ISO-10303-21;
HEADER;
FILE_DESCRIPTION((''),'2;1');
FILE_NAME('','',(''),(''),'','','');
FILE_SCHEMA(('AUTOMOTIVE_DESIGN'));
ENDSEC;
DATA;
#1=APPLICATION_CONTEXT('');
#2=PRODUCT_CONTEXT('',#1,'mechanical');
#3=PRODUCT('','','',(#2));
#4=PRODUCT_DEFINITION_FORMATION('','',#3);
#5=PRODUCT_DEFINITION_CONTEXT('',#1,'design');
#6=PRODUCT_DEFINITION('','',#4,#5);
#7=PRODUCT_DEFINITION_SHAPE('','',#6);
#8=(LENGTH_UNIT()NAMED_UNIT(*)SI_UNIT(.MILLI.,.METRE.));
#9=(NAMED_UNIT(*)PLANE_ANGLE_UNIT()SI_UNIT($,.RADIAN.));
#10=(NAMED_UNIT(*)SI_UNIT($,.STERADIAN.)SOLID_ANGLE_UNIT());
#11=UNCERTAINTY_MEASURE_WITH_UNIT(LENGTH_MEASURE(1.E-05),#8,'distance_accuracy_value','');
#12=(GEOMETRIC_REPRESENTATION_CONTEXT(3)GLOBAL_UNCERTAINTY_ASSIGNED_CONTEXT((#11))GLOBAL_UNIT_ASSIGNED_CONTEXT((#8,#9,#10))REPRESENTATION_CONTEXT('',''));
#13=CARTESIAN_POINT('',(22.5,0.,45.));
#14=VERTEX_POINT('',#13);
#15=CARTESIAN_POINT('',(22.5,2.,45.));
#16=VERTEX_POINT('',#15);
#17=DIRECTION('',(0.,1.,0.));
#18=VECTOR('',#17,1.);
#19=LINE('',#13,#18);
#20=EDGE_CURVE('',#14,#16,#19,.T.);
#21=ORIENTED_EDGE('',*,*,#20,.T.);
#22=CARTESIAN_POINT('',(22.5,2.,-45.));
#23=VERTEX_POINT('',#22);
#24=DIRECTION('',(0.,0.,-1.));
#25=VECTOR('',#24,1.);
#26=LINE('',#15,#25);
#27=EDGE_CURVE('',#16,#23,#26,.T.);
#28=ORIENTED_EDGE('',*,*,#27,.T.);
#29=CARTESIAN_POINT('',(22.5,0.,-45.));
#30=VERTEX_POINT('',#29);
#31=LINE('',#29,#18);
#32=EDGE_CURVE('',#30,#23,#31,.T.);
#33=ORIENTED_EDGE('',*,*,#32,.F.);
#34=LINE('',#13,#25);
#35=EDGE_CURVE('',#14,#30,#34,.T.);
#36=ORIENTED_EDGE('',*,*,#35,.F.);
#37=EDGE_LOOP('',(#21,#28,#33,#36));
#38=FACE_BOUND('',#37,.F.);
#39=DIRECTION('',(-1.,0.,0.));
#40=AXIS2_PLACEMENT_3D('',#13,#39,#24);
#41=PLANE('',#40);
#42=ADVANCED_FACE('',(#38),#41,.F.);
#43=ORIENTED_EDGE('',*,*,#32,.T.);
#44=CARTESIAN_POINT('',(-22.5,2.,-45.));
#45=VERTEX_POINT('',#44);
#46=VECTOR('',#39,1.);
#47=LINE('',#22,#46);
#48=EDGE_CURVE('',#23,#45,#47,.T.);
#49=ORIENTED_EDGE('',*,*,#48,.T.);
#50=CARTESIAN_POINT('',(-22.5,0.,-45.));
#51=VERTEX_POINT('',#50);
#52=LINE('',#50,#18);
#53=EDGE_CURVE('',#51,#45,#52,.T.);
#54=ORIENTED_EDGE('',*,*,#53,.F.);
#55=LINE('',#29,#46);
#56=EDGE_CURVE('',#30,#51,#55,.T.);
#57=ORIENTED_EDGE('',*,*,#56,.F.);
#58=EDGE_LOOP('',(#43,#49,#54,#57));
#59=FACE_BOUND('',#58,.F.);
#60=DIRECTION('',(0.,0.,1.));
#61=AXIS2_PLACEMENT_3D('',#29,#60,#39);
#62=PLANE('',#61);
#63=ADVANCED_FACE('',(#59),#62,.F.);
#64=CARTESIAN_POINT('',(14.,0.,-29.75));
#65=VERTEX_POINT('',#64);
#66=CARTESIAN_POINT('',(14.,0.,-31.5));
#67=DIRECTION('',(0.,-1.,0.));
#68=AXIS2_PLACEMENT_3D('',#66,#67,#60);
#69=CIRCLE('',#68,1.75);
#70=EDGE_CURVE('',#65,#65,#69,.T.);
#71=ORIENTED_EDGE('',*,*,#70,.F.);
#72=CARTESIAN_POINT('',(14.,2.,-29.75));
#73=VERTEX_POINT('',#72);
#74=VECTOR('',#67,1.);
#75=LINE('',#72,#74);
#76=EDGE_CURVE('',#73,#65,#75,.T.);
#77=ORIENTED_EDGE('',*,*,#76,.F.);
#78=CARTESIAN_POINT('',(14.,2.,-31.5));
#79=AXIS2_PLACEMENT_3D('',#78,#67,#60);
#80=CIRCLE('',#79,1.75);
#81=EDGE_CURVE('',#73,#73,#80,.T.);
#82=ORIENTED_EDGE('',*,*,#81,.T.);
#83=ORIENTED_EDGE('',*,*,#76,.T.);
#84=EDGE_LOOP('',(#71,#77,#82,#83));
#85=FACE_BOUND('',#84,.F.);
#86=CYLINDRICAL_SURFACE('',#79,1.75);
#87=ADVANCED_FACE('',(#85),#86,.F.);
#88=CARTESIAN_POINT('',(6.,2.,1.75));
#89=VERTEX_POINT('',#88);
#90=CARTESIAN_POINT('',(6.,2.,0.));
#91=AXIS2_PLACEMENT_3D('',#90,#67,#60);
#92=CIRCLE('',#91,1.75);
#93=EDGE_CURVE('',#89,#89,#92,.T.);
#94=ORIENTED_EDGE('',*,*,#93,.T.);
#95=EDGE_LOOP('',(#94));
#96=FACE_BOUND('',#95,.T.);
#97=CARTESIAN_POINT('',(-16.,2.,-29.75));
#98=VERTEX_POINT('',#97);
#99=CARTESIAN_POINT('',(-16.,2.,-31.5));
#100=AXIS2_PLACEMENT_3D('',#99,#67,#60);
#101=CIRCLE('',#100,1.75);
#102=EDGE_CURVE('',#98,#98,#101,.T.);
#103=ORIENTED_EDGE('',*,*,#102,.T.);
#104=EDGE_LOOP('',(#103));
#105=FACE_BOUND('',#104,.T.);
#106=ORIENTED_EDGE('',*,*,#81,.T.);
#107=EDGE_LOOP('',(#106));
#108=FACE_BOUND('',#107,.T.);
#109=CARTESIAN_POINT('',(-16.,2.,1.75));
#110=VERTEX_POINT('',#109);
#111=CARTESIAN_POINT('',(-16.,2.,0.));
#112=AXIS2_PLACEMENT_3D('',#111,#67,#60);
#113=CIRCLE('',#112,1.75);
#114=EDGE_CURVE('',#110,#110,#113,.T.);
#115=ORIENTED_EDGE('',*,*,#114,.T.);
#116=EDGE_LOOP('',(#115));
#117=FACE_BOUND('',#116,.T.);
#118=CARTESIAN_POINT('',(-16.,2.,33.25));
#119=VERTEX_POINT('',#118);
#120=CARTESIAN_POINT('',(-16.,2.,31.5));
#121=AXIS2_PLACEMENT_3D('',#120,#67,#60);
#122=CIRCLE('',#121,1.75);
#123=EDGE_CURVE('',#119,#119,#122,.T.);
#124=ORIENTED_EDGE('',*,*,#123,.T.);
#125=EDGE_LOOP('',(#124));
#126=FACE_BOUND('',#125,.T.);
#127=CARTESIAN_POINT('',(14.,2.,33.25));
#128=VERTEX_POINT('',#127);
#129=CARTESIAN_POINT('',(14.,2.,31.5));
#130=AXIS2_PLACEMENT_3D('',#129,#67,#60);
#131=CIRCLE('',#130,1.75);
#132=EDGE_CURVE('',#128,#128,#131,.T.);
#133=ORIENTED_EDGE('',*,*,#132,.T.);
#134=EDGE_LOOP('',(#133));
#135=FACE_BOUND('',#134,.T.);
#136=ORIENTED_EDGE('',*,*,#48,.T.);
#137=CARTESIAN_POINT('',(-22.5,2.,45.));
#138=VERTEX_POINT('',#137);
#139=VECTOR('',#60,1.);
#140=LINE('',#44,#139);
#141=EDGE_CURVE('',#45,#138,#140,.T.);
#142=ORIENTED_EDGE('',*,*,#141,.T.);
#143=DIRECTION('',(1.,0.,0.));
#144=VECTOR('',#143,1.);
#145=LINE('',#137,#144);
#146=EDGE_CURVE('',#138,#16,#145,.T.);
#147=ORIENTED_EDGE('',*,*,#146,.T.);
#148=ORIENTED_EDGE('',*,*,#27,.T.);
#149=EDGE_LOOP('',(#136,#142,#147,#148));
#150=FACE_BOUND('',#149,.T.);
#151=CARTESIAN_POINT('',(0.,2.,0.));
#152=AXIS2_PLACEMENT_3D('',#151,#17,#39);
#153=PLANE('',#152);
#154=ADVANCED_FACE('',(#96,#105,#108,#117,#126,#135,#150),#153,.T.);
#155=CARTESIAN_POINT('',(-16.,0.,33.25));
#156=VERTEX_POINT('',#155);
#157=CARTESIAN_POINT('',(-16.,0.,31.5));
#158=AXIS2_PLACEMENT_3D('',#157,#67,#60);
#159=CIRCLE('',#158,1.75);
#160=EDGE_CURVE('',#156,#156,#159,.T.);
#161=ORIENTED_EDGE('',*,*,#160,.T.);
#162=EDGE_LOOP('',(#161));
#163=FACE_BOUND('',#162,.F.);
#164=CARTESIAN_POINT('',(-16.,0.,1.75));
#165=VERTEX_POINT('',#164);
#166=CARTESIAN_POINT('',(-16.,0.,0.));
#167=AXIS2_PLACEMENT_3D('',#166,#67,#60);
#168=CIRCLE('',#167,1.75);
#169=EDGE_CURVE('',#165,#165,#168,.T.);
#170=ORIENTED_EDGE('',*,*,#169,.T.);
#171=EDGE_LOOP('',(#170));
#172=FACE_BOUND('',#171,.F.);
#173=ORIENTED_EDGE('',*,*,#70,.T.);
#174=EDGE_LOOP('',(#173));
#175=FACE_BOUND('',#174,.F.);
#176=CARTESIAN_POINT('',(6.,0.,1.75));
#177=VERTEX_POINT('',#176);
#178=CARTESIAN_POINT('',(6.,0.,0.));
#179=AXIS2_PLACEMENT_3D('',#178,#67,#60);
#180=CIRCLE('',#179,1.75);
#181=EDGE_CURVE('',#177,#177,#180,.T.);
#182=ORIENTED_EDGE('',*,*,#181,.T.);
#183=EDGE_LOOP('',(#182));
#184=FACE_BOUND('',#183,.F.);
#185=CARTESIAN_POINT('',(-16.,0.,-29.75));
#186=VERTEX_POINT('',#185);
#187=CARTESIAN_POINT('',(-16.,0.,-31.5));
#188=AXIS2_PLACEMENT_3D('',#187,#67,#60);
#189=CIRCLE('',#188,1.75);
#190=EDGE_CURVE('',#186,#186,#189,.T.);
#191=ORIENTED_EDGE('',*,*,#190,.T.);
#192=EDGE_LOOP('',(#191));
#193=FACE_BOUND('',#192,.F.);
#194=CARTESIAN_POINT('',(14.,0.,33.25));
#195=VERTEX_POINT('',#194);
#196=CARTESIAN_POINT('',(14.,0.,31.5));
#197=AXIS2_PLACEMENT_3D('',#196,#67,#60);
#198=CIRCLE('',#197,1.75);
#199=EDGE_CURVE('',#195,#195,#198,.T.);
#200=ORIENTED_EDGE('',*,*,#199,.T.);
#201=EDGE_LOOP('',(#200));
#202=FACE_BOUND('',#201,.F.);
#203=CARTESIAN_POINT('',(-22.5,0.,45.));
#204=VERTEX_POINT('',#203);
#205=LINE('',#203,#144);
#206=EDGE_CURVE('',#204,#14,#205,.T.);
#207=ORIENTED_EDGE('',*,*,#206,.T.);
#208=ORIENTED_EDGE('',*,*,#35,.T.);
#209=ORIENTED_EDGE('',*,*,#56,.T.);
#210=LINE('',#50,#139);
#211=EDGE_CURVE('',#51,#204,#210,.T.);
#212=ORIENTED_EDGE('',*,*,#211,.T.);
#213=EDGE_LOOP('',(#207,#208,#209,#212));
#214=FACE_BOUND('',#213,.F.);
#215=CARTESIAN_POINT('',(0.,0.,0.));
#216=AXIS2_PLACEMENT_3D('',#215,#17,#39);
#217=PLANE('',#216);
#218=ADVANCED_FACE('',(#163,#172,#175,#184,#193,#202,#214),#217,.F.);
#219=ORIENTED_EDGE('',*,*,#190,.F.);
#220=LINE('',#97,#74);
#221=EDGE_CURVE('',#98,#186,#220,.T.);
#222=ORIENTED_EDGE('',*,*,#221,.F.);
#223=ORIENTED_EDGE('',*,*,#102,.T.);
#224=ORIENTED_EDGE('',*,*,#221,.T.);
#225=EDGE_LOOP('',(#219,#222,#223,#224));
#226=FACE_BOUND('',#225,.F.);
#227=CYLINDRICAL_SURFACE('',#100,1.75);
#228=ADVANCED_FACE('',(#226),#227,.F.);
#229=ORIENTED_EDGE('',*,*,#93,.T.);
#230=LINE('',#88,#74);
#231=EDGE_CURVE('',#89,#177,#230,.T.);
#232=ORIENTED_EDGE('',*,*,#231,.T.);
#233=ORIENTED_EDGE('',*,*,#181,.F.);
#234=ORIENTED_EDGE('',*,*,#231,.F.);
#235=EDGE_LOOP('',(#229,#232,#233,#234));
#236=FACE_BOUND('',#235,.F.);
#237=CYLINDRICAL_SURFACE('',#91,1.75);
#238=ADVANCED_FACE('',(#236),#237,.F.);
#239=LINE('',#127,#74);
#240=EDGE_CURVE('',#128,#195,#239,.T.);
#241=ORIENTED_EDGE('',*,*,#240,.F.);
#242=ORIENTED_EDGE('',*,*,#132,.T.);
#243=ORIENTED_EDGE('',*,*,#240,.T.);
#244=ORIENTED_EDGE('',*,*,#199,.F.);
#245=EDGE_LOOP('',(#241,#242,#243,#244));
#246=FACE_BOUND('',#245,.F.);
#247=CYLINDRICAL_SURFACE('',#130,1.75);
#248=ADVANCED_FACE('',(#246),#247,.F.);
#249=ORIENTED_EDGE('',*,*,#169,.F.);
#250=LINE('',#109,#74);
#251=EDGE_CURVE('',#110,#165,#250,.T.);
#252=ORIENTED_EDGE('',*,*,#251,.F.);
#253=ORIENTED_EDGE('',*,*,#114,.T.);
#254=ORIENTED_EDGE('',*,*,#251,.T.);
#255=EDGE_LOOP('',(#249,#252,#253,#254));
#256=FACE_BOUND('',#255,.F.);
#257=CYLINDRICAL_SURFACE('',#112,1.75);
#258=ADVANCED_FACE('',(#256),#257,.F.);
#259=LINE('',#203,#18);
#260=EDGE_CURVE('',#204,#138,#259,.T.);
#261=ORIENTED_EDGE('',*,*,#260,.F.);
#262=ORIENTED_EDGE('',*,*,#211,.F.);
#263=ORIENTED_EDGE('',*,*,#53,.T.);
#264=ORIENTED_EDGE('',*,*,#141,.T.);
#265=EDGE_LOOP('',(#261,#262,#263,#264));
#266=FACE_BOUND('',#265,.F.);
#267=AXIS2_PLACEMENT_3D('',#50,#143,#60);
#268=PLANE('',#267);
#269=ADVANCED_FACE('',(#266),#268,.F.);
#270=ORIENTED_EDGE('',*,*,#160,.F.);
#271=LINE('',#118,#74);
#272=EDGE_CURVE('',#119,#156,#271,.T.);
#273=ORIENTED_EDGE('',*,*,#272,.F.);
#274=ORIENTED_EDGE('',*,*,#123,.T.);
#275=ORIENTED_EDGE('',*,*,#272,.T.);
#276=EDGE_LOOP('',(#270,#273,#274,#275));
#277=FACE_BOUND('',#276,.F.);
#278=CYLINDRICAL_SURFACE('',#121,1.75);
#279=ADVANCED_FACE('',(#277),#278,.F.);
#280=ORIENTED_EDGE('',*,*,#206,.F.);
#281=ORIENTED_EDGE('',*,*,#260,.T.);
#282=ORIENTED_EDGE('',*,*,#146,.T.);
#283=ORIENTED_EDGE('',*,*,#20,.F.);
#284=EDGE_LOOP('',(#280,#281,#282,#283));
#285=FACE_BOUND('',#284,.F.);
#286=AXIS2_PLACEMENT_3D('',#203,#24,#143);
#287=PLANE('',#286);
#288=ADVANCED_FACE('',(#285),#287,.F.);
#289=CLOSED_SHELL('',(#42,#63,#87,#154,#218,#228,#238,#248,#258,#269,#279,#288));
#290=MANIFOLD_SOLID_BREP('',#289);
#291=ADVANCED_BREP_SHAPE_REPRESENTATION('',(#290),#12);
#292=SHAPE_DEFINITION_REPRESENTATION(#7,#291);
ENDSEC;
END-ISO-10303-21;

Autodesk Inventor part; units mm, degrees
ref_plane "YZ Plane" through (0, 0, 0) normal (1, 0, 0) x (0, 1, 0)
ref_plane "XZ Plane" through (0, 0, 0) normal (0, 1, 0) x (-1, 0, 0)
ref_plane "XY Plane" through (0, 0, 0) normal (0, 0, 1) x (1, 0, 0)
sketch "Szkic1" plane through (0, 0, 0) normal (0, 1, 0) x (-1, 0, 0)
  line L0 (-22.5, -45) -> (22.5, -45)
  line L1 (22.5, -45) -> (22.5, 45)
  line L2 (22.5, 45) -> (-22.5, 45)
  line L3 (-22.5, 45) -> (-22.5, -45)
  line L4 (-22.5, -45) -> (22.5, 45) construction
  line L5 (22.5, -45) -> (-22.5, 45) construction
  point P0 (0, 0)
  dimension "d0" = 45
  dimension "d1" = 90
extrude "Wyciągnięcie proste1" add sketch "Szkic1" along normal blind 2
sketch "Szkic2" plane through (0, 2, 0) normal (0, 1, 0) x (1, 0, 0)
  line L0 (11.5, 3.5) -> (18.5, 3.5) projected
  line L1 (18.5, 3.5) -> (18.5, 35.5) projected
  line L2 (18.5, 35.5) -> (-20.5, 35.5) projected
  line L3 (-20.5, 35.5) -> (-20.5, -35.5) projected
  line L4 (-20.5, -35.5) -> (18.5, -35.5) projected
  line L5 (18.5, -35.5) -> (18.5, -26.5) projected
  line L6 (18.5, -26.5) -> (11.5, -26.5) projected
  line L7 (11.5, -26.5) -> (11.5, 3.5) projected
  circle A0 centre (6, 0) radius 1.5 projected
  circle A1 centre (14, 31.5) radius 1.5 projected
  circle A2 centre (-16, -31.5) radius 1.5 projected
  circle A3 centre (-16, 31.5) radius 1.5 projected
  circle A4 centre (14, -31.5) radius 1.5 projected
  circle A5 centre (-16, 0) radius 1.5 projected
  point P0 (0, 0)
hole "Otwór1" at (14, 2, -31.5) at (6, 2, 0) at (14, 2, 31.5) at (-16, 2, 31.5) at (-16, 2, 0) at (-16, 2, -31.5) direction (0, -1, 0) diameter 3.5 end through all
properties part number "blacha pionowa"
